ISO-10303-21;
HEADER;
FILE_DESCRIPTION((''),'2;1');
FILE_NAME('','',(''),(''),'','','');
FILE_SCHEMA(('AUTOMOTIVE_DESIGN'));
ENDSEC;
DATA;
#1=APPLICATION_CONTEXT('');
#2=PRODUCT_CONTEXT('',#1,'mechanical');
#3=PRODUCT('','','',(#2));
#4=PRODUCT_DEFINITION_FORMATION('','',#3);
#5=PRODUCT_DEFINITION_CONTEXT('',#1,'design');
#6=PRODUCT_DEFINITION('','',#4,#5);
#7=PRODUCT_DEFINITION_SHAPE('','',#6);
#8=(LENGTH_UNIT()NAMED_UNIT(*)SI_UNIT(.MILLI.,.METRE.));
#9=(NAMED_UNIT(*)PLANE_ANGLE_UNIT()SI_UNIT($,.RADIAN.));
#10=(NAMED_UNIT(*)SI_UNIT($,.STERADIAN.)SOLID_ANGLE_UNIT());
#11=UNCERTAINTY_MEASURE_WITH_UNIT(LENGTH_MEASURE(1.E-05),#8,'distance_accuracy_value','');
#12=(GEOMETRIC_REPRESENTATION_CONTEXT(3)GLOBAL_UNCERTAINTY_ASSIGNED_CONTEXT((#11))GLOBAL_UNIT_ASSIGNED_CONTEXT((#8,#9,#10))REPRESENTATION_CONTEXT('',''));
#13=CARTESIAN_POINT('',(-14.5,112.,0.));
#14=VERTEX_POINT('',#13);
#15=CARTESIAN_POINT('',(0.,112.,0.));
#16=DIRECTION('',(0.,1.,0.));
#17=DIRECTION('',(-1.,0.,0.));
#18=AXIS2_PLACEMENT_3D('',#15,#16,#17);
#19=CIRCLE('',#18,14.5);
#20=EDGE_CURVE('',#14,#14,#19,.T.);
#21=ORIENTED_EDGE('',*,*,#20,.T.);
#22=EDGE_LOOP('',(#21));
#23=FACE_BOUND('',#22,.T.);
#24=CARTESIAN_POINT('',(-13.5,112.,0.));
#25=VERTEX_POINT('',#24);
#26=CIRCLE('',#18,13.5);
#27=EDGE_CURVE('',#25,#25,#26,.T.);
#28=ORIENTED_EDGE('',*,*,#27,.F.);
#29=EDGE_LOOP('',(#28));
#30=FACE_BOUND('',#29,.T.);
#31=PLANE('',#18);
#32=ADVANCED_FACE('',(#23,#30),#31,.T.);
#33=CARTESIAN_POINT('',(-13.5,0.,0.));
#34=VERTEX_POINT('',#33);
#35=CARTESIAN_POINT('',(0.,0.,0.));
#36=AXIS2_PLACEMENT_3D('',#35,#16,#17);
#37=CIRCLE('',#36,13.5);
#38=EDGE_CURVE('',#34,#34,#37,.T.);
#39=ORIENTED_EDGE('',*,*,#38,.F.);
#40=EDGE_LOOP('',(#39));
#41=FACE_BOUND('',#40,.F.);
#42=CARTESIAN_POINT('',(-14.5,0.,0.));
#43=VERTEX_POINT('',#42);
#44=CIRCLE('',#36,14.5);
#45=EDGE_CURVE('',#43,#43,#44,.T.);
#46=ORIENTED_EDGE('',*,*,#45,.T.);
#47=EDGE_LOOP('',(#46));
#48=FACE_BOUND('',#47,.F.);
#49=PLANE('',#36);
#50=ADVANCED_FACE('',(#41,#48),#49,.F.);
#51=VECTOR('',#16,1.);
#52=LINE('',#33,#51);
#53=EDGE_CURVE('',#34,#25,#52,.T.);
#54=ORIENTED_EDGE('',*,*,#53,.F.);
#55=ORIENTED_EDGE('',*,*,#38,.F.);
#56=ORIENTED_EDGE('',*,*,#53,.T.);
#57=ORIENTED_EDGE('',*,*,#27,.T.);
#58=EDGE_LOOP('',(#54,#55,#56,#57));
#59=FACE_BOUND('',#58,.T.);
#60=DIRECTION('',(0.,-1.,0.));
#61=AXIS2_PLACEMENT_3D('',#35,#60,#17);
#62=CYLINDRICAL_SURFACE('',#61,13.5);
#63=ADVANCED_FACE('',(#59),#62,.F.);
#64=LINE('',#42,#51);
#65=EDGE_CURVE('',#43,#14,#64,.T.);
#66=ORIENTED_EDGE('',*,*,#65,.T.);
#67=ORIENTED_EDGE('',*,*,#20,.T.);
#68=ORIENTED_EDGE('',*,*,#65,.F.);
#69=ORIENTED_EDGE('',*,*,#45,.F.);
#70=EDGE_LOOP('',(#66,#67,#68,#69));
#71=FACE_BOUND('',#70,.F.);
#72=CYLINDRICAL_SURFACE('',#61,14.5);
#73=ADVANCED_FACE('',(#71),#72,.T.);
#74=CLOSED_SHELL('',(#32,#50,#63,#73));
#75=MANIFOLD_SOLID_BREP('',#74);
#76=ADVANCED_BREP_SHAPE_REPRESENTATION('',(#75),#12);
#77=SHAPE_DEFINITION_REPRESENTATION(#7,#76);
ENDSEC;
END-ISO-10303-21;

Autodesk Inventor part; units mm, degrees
ref_plane "YZ Plane" through (0, 0, 0) normal (1, 0, 0) x (0, 1, 0)
ref_plane "XZ Plane" through (0, 0, 0) normal (0, 1, 0) x (-1, 0, 0)
ref_plane "XY Plane" through (0, 0, 0) normal (0, 0, 1) x (1, 0, 0)
sketch "Sketch1" plane through (0, 0, 0) normal (0, 1, 0) x (-1, 0, 0)
  circle A0 centre (0, 0) radius 14.5
  circle A1 centre (0, 0) radius 13.5
  dimension "d0" = 29
  dimension "d1" = 27
extrude "Extrusion1" add sketch "Sketch1" along normal blind 112
properties part number "RuraWewnetrznaSilnik"
